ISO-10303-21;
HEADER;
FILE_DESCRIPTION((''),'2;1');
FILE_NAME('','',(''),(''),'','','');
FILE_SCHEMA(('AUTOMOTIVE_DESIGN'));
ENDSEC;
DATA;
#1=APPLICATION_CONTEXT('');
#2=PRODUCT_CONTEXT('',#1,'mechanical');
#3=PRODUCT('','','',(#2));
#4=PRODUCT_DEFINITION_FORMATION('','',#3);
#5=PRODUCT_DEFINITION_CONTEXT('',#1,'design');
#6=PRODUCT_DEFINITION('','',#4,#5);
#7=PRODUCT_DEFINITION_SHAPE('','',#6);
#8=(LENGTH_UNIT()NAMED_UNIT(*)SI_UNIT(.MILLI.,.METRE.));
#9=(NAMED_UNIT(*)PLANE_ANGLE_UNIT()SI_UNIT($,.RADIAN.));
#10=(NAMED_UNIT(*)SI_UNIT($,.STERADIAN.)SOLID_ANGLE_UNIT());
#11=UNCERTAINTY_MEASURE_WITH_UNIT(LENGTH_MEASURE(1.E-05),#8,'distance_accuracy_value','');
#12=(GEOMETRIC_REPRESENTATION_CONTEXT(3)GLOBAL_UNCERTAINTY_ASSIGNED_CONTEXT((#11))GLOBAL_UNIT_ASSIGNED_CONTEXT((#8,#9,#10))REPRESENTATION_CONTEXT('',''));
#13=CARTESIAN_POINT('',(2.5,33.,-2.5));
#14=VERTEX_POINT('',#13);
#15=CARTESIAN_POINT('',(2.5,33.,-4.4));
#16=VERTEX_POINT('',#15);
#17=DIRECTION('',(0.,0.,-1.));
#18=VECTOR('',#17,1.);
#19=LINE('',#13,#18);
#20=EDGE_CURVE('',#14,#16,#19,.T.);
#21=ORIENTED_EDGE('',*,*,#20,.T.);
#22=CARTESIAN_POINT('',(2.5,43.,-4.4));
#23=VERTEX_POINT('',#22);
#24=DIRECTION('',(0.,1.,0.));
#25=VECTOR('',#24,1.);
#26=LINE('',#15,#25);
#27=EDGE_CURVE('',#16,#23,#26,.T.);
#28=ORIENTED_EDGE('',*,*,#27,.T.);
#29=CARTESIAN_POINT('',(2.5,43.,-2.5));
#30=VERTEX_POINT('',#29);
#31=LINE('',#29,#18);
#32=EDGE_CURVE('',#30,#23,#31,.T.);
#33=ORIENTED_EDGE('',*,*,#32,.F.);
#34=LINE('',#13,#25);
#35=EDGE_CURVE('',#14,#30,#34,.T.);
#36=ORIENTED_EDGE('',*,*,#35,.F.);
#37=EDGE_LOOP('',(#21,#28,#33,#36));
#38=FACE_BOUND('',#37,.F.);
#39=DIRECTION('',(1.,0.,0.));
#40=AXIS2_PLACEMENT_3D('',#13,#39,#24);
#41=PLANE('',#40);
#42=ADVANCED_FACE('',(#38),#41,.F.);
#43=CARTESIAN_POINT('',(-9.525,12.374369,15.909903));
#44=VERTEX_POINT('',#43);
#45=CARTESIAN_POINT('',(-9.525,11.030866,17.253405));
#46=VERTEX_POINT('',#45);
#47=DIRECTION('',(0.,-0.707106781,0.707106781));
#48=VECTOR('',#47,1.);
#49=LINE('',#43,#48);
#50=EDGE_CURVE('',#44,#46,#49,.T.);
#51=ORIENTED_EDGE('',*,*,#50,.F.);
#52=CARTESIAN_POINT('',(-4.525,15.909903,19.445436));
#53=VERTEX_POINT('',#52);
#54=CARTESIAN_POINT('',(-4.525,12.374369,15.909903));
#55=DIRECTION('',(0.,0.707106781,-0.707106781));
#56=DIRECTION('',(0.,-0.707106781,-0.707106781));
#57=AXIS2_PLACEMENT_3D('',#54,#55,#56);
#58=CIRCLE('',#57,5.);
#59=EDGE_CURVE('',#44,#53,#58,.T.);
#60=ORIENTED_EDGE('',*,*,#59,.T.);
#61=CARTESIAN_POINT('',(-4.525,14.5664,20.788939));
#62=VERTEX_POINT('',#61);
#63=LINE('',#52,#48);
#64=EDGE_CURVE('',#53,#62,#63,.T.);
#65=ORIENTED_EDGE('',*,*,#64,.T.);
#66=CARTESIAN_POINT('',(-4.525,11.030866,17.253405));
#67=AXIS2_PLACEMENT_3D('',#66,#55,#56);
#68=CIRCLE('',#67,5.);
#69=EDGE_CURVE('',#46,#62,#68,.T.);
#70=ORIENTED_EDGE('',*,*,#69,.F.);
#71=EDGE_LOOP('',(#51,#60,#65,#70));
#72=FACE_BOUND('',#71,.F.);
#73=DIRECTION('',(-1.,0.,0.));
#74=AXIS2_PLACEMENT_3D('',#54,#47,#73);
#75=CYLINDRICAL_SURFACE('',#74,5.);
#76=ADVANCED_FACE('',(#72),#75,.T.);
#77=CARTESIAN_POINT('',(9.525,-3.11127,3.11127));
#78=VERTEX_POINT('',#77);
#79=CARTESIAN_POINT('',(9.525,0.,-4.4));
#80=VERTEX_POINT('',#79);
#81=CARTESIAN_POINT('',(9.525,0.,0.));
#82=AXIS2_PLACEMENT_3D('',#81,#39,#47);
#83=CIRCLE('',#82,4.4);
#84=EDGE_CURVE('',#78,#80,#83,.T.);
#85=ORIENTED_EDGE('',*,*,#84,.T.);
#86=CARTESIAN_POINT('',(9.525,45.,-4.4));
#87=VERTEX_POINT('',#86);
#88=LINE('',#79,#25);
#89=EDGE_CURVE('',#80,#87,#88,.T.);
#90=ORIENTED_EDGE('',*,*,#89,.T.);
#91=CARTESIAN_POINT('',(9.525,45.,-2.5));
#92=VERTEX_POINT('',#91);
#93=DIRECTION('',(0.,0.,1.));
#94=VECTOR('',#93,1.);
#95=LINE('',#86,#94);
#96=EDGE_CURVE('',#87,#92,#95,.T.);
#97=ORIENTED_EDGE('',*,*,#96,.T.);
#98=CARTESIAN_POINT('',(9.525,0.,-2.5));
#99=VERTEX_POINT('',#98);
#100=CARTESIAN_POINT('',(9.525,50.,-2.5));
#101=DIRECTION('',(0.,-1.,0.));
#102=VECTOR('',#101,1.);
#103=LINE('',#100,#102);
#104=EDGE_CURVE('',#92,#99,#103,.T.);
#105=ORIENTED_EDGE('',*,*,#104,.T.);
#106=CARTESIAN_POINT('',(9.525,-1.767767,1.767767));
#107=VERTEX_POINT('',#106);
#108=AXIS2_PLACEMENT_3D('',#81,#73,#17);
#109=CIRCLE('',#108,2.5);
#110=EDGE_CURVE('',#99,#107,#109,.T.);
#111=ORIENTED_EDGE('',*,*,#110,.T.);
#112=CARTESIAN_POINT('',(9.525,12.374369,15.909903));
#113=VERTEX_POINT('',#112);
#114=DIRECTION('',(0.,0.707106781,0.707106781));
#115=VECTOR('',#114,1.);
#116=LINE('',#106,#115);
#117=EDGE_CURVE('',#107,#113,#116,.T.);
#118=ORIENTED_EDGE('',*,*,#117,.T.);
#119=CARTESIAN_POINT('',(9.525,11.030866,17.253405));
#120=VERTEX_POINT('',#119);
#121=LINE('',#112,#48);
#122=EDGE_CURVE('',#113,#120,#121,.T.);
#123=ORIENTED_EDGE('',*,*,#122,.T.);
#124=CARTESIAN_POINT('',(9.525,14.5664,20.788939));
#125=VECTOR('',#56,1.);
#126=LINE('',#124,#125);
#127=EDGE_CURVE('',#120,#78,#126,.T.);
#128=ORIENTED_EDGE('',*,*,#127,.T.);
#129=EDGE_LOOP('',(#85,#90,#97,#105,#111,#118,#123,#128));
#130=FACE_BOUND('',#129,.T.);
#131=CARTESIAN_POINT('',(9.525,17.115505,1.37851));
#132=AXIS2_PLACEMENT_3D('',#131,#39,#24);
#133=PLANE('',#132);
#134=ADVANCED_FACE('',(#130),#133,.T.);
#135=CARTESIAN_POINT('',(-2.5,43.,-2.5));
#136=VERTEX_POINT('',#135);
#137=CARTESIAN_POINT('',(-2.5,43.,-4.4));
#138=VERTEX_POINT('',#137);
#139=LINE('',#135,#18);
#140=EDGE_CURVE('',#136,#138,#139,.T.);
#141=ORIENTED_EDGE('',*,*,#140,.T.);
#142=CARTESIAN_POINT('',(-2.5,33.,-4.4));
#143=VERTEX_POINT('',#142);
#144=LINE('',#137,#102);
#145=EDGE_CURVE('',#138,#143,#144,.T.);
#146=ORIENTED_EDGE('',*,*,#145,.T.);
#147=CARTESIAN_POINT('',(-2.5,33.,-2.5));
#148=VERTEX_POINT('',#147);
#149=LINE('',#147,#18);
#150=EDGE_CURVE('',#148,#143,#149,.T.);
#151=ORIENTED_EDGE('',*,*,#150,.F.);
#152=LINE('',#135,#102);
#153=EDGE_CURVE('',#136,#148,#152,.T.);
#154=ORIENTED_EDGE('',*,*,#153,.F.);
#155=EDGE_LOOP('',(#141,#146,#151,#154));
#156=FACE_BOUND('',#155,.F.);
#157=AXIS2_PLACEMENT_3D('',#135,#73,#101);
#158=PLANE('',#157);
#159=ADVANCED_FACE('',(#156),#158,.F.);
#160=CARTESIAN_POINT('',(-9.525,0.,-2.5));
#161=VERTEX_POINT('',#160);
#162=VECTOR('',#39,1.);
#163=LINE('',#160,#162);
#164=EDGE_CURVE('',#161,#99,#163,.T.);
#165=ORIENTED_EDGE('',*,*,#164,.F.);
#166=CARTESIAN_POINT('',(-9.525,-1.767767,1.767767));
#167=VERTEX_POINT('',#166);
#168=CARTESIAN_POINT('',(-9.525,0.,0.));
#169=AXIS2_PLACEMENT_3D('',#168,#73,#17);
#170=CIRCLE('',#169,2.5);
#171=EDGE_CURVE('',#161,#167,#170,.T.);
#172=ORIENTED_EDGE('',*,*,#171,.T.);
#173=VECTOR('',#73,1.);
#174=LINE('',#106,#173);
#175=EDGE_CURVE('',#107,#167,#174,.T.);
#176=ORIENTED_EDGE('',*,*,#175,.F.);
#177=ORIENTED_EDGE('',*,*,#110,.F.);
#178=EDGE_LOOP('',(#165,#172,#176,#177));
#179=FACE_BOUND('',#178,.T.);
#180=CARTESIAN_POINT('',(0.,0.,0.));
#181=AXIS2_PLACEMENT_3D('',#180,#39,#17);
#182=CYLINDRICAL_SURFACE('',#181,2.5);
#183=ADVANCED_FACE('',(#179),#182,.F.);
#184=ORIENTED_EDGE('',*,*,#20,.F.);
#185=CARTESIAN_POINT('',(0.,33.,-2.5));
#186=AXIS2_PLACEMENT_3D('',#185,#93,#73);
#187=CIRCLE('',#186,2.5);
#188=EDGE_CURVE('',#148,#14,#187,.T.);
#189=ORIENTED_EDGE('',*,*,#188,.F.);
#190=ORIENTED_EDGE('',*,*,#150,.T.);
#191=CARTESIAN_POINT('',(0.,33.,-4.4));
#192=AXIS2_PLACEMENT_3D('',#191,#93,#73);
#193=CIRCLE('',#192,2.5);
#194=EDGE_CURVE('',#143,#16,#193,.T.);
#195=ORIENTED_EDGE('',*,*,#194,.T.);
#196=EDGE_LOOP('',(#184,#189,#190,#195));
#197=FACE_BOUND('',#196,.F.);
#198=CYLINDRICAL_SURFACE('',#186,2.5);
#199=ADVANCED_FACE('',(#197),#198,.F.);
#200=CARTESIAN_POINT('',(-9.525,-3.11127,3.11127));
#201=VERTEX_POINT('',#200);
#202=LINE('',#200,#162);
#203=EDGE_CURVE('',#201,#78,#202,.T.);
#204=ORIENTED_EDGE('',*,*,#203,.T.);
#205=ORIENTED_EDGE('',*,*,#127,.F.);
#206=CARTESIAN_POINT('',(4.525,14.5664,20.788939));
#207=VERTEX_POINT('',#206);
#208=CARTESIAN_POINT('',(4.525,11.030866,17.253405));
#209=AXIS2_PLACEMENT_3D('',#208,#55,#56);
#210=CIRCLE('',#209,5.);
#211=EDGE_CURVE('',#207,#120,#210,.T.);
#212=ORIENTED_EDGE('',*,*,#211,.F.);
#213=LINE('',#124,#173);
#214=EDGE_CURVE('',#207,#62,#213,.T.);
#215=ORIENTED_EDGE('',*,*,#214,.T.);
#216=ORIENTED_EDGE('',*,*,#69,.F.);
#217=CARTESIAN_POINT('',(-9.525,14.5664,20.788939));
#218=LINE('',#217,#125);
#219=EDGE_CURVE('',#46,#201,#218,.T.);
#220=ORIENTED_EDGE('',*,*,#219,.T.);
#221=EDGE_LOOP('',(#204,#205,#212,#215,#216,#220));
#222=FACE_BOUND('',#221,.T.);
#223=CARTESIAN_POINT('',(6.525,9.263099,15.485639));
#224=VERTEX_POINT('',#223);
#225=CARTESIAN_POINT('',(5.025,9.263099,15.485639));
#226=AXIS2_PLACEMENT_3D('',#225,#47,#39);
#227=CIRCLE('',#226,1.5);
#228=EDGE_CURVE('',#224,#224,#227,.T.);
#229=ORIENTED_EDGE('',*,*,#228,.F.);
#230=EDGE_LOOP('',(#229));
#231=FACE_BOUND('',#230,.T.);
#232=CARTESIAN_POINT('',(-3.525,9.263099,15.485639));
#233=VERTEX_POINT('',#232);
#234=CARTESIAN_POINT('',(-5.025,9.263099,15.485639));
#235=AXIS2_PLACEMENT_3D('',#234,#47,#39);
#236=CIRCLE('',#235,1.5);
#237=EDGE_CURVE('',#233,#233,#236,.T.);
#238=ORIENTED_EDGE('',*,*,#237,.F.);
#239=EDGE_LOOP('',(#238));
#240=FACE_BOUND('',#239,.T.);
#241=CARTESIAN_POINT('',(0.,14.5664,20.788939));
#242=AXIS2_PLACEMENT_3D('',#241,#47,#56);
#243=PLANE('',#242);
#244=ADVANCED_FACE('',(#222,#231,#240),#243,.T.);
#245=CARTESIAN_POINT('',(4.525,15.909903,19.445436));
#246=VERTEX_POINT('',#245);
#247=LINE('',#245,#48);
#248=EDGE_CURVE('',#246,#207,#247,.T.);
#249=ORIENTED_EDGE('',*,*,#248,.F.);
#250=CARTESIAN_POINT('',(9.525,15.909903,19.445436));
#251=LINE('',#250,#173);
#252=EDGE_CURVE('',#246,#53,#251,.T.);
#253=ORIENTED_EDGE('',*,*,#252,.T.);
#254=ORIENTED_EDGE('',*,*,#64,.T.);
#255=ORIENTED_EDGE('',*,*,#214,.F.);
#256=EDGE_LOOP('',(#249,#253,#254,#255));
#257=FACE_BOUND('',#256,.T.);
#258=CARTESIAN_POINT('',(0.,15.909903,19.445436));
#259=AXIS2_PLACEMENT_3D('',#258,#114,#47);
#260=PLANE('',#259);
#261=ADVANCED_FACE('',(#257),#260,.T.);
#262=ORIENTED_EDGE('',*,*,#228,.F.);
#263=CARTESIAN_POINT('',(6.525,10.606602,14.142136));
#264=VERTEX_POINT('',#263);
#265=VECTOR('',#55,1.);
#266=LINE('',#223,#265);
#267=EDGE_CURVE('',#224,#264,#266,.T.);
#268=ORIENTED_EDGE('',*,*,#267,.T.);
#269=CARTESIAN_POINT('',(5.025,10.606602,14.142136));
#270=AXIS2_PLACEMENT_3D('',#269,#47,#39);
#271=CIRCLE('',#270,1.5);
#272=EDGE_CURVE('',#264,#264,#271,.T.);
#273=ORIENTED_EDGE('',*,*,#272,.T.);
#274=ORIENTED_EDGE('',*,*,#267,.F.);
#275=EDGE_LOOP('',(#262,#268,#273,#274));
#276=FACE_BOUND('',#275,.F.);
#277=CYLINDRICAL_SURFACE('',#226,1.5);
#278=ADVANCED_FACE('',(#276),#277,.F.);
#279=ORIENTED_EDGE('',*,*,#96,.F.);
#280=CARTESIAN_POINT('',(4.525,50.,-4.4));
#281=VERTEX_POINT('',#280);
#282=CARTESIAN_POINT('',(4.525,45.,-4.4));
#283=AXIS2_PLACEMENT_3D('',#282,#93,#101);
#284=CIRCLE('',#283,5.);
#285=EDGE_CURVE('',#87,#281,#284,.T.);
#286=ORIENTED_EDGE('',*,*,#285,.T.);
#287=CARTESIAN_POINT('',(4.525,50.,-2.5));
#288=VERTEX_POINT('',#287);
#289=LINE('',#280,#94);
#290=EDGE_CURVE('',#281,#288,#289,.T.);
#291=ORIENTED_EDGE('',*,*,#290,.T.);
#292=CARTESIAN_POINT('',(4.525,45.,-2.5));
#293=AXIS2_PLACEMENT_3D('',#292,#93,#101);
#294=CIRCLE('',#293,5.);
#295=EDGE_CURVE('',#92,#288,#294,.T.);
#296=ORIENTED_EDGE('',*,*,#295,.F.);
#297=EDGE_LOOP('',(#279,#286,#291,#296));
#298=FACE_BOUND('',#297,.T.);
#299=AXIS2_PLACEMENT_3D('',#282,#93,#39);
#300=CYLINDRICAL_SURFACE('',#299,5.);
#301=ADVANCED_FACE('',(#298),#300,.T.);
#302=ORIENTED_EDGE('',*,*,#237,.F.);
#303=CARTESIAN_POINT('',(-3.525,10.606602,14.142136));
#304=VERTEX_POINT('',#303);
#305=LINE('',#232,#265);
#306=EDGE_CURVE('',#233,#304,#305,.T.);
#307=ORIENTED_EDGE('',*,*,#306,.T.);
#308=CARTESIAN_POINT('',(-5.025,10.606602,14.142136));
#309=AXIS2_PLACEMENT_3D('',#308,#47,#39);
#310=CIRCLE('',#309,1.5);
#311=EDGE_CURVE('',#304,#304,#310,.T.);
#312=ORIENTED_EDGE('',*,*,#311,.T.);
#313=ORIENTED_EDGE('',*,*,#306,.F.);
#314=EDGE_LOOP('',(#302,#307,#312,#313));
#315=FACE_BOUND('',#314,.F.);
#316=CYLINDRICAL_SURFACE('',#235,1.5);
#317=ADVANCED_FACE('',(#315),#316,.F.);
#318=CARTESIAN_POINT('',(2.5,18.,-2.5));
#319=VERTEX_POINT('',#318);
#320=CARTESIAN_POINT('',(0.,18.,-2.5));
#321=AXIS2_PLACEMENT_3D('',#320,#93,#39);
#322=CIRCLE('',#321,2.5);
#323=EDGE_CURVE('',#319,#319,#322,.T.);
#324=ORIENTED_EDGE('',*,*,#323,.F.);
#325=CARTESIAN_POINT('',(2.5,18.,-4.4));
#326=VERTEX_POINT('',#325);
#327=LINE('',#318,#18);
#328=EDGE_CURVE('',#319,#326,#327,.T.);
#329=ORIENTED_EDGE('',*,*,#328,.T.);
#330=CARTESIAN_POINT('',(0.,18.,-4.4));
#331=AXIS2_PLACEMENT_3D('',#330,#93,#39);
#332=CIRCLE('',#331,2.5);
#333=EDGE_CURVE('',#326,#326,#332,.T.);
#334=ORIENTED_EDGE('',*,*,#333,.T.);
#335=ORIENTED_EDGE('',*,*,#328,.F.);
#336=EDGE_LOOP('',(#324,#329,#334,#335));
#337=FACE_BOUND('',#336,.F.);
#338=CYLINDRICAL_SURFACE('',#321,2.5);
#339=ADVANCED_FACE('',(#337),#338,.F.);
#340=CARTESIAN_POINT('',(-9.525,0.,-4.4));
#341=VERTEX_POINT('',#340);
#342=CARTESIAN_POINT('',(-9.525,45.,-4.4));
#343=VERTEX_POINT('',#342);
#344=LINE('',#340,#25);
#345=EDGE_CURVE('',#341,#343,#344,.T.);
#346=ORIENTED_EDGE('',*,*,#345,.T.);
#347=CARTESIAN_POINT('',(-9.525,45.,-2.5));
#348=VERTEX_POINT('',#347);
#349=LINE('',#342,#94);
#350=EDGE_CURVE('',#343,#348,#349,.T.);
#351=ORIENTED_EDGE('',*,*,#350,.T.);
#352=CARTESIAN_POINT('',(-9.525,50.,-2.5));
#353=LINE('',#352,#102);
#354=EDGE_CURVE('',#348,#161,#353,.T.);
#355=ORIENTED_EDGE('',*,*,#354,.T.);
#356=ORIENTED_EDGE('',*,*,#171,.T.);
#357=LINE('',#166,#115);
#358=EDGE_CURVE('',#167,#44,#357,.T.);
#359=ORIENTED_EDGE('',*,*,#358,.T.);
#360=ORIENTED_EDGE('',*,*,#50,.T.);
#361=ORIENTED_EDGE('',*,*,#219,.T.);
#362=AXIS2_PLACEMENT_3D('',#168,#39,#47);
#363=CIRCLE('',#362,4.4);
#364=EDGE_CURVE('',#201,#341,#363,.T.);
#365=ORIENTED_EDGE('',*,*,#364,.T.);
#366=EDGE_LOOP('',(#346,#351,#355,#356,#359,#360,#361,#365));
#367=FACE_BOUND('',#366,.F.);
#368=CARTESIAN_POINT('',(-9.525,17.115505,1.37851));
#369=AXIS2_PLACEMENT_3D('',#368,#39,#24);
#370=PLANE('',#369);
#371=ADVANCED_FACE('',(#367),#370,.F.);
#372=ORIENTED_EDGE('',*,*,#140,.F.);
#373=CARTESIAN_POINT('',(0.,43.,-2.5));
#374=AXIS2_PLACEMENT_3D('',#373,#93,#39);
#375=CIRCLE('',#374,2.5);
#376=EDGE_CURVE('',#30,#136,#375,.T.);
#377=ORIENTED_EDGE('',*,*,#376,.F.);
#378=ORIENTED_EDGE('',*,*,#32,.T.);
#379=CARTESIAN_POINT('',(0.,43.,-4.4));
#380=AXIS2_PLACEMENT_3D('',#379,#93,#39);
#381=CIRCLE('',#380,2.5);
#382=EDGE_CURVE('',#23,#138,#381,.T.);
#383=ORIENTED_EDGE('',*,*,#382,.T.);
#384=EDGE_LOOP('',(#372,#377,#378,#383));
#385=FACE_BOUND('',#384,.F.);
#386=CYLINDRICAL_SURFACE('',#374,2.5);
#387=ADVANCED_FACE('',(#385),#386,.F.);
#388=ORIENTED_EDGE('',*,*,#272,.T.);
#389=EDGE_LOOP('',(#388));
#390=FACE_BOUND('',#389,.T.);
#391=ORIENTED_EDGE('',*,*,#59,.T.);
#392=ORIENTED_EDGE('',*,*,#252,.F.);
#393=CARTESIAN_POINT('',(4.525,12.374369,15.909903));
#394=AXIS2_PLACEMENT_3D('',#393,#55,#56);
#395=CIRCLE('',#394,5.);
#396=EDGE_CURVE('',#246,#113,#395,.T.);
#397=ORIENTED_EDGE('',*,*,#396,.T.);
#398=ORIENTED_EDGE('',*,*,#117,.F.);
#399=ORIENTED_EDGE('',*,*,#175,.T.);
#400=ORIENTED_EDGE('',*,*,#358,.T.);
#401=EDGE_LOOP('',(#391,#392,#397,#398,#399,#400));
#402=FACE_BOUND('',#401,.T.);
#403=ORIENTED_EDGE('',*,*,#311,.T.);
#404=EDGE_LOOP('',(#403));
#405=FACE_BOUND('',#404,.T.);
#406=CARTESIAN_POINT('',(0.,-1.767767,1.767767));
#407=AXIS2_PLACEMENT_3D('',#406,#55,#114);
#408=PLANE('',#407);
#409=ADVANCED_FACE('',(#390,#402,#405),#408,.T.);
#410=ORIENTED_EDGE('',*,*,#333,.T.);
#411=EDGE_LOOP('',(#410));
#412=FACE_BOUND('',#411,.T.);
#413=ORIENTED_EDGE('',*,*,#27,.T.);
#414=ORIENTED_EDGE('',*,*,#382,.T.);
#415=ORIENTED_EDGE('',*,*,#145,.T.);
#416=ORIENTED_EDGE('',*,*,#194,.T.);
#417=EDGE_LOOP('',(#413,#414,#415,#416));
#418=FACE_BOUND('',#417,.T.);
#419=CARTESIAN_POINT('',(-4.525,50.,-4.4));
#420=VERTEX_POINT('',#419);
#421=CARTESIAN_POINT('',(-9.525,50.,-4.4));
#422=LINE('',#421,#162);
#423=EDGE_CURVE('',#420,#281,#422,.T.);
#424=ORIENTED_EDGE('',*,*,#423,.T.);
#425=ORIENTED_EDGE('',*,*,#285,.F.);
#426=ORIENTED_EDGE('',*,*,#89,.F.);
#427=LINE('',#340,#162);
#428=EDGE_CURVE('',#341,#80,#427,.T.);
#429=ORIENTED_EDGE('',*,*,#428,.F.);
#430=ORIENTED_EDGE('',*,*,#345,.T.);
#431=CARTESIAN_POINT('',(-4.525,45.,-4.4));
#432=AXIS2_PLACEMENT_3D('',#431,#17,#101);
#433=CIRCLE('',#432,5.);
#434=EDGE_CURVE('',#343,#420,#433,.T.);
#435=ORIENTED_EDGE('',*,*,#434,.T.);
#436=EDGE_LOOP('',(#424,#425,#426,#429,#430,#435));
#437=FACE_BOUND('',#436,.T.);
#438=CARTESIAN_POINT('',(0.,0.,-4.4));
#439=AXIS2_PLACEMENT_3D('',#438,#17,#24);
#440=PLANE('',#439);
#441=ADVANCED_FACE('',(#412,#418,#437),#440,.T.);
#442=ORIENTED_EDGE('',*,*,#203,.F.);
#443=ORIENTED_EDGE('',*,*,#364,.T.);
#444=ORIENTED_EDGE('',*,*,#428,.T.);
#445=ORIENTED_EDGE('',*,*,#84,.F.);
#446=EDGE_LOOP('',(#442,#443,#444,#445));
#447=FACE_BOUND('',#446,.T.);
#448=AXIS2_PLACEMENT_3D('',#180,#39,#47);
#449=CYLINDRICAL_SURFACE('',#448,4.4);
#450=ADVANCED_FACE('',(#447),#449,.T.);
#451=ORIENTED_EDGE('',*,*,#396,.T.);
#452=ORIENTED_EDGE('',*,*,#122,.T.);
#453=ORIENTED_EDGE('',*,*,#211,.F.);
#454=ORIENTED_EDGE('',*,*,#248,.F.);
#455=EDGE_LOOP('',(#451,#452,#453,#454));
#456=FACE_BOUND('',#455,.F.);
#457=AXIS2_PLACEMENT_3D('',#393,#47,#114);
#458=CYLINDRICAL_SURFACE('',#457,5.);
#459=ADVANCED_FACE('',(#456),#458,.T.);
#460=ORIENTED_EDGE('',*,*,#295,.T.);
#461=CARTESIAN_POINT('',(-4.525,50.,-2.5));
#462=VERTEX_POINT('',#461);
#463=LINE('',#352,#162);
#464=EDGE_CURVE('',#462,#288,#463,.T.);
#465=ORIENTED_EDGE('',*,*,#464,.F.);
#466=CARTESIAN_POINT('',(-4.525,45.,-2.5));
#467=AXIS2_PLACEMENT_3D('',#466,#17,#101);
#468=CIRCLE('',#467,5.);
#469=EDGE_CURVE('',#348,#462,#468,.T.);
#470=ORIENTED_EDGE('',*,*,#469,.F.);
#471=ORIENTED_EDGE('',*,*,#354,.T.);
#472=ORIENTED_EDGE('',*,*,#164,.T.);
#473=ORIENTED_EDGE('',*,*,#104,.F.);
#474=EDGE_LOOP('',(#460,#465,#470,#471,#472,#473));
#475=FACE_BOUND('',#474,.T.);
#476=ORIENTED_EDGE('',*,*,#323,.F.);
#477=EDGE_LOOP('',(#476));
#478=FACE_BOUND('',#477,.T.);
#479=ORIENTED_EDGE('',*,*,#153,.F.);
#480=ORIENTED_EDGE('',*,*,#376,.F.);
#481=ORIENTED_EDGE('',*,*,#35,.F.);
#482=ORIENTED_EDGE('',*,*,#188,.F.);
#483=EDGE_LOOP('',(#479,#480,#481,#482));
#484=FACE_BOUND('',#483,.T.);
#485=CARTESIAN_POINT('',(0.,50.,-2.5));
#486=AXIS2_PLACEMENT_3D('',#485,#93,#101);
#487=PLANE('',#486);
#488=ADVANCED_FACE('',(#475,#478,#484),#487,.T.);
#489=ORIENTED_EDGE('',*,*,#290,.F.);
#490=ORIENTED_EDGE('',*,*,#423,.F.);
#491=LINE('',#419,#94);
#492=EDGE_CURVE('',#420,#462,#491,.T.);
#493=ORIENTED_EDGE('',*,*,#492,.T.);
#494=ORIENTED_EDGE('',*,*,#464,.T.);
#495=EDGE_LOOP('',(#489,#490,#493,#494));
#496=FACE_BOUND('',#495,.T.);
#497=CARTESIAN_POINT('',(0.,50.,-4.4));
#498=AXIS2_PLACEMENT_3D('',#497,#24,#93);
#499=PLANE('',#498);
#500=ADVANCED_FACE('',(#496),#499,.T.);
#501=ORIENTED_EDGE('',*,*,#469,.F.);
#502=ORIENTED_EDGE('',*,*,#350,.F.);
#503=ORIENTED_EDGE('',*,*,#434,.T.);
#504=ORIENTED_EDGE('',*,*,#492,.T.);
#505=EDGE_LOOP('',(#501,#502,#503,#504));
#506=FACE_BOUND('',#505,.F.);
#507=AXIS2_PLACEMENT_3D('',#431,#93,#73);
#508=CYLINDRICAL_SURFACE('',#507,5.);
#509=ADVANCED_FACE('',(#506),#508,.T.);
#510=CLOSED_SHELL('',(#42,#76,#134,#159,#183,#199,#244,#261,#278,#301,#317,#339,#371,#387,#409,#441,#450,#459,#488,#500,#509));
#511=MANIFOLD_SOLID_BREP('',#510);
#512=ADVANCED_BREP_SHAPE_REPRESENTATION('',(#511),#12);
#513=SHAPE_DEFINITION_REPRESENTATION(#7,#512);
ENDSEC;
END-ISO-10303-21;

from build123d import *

# Parameters (mm, degrees)
F1_DEPTH = 9.525
F2_R     = 1.5
F3_DEPTH = 1.9
F4_R     = 2.5
F5_DEPTH = 1.9
F6_R     = 5


with BuildPart() as f1:
    # F0 (on Right) → F1 (new body, symmetric)
    with BuildSketch(Plane.YZ):
        with BuildLine():
            Line((14.5663996924, 20.7889393669), (-3.1112698372, 3.1112698372))
            ThreePointArc((-3.1112698372, 3.1112698372), (-4.065069943, -1.6838071024), (0, -4.4))
            Line((0, -4.4), (50, -4.4))
            Line((50, -4.4), (50, -2.5))
            Line((50, -2.5), (0, -2.5))
            ThreePointArc((0, -2.5), (-2.3096988313, -0.9567085809), (-1.767766953, 1.767766953))
            Line((-1.767766953, 1.767766953), (15.9099025767, 19.4454364826))
            Line((15.9099025767, 19.4454364826), (14.5663996924, 20.7889393669))
        make_face()
    extrude(amount=F1_DEPTH, both=True)

    # F2 (on face) → F3 (cut, through all)
    with BuildSketch(Plane(origin=(0, -3.1112698372, 3.1112698372), x_dir=(1, 0, 0), z_dir=(0, -0.7071067812, 0.7071067812))):
        with Locations((-5.025, 17.5)):
            Circle(F2_R)
        with Locations((5.025, 17.5)):
            Circle(F2_R)
    extrude(amount=-F3_DEPTH, mode=Mode.SUBTRACT)

    # F4 (on face) → F5 (cut, through all)
    with BuildSketch(Plane.XY.offset(-2.5)):
        with Locations((0, 18)):
            Circle(F4_R)
        with BuildLine():
            ThreePointArc((-2.5, 33), (0, 30.5), (2.5, 33))
            Line((2.5, 33), (2.5, 43))
            ThreePointArc((2.5, 43), (0, 45.5), (-2.5, 43))
            Line((-2.5, 43), (-2.5, 33))
        make_face()
    extrude(amount=-F5_DEPTH, mode=Mode.SUBTRACT)

    # F6
    f6_edges = [f1.edges().sort_by_distance(p)[0] for p in [
        (9.525, 15.238151, 20.117188),
        (-9.525, 15.238151, 20.117188),
        (-9.525, 50, -3.45),
        (9.525, 50, -3.45),
    ]]
    fillet(f6_edges, radius=F6_R)


solid = f1.part
